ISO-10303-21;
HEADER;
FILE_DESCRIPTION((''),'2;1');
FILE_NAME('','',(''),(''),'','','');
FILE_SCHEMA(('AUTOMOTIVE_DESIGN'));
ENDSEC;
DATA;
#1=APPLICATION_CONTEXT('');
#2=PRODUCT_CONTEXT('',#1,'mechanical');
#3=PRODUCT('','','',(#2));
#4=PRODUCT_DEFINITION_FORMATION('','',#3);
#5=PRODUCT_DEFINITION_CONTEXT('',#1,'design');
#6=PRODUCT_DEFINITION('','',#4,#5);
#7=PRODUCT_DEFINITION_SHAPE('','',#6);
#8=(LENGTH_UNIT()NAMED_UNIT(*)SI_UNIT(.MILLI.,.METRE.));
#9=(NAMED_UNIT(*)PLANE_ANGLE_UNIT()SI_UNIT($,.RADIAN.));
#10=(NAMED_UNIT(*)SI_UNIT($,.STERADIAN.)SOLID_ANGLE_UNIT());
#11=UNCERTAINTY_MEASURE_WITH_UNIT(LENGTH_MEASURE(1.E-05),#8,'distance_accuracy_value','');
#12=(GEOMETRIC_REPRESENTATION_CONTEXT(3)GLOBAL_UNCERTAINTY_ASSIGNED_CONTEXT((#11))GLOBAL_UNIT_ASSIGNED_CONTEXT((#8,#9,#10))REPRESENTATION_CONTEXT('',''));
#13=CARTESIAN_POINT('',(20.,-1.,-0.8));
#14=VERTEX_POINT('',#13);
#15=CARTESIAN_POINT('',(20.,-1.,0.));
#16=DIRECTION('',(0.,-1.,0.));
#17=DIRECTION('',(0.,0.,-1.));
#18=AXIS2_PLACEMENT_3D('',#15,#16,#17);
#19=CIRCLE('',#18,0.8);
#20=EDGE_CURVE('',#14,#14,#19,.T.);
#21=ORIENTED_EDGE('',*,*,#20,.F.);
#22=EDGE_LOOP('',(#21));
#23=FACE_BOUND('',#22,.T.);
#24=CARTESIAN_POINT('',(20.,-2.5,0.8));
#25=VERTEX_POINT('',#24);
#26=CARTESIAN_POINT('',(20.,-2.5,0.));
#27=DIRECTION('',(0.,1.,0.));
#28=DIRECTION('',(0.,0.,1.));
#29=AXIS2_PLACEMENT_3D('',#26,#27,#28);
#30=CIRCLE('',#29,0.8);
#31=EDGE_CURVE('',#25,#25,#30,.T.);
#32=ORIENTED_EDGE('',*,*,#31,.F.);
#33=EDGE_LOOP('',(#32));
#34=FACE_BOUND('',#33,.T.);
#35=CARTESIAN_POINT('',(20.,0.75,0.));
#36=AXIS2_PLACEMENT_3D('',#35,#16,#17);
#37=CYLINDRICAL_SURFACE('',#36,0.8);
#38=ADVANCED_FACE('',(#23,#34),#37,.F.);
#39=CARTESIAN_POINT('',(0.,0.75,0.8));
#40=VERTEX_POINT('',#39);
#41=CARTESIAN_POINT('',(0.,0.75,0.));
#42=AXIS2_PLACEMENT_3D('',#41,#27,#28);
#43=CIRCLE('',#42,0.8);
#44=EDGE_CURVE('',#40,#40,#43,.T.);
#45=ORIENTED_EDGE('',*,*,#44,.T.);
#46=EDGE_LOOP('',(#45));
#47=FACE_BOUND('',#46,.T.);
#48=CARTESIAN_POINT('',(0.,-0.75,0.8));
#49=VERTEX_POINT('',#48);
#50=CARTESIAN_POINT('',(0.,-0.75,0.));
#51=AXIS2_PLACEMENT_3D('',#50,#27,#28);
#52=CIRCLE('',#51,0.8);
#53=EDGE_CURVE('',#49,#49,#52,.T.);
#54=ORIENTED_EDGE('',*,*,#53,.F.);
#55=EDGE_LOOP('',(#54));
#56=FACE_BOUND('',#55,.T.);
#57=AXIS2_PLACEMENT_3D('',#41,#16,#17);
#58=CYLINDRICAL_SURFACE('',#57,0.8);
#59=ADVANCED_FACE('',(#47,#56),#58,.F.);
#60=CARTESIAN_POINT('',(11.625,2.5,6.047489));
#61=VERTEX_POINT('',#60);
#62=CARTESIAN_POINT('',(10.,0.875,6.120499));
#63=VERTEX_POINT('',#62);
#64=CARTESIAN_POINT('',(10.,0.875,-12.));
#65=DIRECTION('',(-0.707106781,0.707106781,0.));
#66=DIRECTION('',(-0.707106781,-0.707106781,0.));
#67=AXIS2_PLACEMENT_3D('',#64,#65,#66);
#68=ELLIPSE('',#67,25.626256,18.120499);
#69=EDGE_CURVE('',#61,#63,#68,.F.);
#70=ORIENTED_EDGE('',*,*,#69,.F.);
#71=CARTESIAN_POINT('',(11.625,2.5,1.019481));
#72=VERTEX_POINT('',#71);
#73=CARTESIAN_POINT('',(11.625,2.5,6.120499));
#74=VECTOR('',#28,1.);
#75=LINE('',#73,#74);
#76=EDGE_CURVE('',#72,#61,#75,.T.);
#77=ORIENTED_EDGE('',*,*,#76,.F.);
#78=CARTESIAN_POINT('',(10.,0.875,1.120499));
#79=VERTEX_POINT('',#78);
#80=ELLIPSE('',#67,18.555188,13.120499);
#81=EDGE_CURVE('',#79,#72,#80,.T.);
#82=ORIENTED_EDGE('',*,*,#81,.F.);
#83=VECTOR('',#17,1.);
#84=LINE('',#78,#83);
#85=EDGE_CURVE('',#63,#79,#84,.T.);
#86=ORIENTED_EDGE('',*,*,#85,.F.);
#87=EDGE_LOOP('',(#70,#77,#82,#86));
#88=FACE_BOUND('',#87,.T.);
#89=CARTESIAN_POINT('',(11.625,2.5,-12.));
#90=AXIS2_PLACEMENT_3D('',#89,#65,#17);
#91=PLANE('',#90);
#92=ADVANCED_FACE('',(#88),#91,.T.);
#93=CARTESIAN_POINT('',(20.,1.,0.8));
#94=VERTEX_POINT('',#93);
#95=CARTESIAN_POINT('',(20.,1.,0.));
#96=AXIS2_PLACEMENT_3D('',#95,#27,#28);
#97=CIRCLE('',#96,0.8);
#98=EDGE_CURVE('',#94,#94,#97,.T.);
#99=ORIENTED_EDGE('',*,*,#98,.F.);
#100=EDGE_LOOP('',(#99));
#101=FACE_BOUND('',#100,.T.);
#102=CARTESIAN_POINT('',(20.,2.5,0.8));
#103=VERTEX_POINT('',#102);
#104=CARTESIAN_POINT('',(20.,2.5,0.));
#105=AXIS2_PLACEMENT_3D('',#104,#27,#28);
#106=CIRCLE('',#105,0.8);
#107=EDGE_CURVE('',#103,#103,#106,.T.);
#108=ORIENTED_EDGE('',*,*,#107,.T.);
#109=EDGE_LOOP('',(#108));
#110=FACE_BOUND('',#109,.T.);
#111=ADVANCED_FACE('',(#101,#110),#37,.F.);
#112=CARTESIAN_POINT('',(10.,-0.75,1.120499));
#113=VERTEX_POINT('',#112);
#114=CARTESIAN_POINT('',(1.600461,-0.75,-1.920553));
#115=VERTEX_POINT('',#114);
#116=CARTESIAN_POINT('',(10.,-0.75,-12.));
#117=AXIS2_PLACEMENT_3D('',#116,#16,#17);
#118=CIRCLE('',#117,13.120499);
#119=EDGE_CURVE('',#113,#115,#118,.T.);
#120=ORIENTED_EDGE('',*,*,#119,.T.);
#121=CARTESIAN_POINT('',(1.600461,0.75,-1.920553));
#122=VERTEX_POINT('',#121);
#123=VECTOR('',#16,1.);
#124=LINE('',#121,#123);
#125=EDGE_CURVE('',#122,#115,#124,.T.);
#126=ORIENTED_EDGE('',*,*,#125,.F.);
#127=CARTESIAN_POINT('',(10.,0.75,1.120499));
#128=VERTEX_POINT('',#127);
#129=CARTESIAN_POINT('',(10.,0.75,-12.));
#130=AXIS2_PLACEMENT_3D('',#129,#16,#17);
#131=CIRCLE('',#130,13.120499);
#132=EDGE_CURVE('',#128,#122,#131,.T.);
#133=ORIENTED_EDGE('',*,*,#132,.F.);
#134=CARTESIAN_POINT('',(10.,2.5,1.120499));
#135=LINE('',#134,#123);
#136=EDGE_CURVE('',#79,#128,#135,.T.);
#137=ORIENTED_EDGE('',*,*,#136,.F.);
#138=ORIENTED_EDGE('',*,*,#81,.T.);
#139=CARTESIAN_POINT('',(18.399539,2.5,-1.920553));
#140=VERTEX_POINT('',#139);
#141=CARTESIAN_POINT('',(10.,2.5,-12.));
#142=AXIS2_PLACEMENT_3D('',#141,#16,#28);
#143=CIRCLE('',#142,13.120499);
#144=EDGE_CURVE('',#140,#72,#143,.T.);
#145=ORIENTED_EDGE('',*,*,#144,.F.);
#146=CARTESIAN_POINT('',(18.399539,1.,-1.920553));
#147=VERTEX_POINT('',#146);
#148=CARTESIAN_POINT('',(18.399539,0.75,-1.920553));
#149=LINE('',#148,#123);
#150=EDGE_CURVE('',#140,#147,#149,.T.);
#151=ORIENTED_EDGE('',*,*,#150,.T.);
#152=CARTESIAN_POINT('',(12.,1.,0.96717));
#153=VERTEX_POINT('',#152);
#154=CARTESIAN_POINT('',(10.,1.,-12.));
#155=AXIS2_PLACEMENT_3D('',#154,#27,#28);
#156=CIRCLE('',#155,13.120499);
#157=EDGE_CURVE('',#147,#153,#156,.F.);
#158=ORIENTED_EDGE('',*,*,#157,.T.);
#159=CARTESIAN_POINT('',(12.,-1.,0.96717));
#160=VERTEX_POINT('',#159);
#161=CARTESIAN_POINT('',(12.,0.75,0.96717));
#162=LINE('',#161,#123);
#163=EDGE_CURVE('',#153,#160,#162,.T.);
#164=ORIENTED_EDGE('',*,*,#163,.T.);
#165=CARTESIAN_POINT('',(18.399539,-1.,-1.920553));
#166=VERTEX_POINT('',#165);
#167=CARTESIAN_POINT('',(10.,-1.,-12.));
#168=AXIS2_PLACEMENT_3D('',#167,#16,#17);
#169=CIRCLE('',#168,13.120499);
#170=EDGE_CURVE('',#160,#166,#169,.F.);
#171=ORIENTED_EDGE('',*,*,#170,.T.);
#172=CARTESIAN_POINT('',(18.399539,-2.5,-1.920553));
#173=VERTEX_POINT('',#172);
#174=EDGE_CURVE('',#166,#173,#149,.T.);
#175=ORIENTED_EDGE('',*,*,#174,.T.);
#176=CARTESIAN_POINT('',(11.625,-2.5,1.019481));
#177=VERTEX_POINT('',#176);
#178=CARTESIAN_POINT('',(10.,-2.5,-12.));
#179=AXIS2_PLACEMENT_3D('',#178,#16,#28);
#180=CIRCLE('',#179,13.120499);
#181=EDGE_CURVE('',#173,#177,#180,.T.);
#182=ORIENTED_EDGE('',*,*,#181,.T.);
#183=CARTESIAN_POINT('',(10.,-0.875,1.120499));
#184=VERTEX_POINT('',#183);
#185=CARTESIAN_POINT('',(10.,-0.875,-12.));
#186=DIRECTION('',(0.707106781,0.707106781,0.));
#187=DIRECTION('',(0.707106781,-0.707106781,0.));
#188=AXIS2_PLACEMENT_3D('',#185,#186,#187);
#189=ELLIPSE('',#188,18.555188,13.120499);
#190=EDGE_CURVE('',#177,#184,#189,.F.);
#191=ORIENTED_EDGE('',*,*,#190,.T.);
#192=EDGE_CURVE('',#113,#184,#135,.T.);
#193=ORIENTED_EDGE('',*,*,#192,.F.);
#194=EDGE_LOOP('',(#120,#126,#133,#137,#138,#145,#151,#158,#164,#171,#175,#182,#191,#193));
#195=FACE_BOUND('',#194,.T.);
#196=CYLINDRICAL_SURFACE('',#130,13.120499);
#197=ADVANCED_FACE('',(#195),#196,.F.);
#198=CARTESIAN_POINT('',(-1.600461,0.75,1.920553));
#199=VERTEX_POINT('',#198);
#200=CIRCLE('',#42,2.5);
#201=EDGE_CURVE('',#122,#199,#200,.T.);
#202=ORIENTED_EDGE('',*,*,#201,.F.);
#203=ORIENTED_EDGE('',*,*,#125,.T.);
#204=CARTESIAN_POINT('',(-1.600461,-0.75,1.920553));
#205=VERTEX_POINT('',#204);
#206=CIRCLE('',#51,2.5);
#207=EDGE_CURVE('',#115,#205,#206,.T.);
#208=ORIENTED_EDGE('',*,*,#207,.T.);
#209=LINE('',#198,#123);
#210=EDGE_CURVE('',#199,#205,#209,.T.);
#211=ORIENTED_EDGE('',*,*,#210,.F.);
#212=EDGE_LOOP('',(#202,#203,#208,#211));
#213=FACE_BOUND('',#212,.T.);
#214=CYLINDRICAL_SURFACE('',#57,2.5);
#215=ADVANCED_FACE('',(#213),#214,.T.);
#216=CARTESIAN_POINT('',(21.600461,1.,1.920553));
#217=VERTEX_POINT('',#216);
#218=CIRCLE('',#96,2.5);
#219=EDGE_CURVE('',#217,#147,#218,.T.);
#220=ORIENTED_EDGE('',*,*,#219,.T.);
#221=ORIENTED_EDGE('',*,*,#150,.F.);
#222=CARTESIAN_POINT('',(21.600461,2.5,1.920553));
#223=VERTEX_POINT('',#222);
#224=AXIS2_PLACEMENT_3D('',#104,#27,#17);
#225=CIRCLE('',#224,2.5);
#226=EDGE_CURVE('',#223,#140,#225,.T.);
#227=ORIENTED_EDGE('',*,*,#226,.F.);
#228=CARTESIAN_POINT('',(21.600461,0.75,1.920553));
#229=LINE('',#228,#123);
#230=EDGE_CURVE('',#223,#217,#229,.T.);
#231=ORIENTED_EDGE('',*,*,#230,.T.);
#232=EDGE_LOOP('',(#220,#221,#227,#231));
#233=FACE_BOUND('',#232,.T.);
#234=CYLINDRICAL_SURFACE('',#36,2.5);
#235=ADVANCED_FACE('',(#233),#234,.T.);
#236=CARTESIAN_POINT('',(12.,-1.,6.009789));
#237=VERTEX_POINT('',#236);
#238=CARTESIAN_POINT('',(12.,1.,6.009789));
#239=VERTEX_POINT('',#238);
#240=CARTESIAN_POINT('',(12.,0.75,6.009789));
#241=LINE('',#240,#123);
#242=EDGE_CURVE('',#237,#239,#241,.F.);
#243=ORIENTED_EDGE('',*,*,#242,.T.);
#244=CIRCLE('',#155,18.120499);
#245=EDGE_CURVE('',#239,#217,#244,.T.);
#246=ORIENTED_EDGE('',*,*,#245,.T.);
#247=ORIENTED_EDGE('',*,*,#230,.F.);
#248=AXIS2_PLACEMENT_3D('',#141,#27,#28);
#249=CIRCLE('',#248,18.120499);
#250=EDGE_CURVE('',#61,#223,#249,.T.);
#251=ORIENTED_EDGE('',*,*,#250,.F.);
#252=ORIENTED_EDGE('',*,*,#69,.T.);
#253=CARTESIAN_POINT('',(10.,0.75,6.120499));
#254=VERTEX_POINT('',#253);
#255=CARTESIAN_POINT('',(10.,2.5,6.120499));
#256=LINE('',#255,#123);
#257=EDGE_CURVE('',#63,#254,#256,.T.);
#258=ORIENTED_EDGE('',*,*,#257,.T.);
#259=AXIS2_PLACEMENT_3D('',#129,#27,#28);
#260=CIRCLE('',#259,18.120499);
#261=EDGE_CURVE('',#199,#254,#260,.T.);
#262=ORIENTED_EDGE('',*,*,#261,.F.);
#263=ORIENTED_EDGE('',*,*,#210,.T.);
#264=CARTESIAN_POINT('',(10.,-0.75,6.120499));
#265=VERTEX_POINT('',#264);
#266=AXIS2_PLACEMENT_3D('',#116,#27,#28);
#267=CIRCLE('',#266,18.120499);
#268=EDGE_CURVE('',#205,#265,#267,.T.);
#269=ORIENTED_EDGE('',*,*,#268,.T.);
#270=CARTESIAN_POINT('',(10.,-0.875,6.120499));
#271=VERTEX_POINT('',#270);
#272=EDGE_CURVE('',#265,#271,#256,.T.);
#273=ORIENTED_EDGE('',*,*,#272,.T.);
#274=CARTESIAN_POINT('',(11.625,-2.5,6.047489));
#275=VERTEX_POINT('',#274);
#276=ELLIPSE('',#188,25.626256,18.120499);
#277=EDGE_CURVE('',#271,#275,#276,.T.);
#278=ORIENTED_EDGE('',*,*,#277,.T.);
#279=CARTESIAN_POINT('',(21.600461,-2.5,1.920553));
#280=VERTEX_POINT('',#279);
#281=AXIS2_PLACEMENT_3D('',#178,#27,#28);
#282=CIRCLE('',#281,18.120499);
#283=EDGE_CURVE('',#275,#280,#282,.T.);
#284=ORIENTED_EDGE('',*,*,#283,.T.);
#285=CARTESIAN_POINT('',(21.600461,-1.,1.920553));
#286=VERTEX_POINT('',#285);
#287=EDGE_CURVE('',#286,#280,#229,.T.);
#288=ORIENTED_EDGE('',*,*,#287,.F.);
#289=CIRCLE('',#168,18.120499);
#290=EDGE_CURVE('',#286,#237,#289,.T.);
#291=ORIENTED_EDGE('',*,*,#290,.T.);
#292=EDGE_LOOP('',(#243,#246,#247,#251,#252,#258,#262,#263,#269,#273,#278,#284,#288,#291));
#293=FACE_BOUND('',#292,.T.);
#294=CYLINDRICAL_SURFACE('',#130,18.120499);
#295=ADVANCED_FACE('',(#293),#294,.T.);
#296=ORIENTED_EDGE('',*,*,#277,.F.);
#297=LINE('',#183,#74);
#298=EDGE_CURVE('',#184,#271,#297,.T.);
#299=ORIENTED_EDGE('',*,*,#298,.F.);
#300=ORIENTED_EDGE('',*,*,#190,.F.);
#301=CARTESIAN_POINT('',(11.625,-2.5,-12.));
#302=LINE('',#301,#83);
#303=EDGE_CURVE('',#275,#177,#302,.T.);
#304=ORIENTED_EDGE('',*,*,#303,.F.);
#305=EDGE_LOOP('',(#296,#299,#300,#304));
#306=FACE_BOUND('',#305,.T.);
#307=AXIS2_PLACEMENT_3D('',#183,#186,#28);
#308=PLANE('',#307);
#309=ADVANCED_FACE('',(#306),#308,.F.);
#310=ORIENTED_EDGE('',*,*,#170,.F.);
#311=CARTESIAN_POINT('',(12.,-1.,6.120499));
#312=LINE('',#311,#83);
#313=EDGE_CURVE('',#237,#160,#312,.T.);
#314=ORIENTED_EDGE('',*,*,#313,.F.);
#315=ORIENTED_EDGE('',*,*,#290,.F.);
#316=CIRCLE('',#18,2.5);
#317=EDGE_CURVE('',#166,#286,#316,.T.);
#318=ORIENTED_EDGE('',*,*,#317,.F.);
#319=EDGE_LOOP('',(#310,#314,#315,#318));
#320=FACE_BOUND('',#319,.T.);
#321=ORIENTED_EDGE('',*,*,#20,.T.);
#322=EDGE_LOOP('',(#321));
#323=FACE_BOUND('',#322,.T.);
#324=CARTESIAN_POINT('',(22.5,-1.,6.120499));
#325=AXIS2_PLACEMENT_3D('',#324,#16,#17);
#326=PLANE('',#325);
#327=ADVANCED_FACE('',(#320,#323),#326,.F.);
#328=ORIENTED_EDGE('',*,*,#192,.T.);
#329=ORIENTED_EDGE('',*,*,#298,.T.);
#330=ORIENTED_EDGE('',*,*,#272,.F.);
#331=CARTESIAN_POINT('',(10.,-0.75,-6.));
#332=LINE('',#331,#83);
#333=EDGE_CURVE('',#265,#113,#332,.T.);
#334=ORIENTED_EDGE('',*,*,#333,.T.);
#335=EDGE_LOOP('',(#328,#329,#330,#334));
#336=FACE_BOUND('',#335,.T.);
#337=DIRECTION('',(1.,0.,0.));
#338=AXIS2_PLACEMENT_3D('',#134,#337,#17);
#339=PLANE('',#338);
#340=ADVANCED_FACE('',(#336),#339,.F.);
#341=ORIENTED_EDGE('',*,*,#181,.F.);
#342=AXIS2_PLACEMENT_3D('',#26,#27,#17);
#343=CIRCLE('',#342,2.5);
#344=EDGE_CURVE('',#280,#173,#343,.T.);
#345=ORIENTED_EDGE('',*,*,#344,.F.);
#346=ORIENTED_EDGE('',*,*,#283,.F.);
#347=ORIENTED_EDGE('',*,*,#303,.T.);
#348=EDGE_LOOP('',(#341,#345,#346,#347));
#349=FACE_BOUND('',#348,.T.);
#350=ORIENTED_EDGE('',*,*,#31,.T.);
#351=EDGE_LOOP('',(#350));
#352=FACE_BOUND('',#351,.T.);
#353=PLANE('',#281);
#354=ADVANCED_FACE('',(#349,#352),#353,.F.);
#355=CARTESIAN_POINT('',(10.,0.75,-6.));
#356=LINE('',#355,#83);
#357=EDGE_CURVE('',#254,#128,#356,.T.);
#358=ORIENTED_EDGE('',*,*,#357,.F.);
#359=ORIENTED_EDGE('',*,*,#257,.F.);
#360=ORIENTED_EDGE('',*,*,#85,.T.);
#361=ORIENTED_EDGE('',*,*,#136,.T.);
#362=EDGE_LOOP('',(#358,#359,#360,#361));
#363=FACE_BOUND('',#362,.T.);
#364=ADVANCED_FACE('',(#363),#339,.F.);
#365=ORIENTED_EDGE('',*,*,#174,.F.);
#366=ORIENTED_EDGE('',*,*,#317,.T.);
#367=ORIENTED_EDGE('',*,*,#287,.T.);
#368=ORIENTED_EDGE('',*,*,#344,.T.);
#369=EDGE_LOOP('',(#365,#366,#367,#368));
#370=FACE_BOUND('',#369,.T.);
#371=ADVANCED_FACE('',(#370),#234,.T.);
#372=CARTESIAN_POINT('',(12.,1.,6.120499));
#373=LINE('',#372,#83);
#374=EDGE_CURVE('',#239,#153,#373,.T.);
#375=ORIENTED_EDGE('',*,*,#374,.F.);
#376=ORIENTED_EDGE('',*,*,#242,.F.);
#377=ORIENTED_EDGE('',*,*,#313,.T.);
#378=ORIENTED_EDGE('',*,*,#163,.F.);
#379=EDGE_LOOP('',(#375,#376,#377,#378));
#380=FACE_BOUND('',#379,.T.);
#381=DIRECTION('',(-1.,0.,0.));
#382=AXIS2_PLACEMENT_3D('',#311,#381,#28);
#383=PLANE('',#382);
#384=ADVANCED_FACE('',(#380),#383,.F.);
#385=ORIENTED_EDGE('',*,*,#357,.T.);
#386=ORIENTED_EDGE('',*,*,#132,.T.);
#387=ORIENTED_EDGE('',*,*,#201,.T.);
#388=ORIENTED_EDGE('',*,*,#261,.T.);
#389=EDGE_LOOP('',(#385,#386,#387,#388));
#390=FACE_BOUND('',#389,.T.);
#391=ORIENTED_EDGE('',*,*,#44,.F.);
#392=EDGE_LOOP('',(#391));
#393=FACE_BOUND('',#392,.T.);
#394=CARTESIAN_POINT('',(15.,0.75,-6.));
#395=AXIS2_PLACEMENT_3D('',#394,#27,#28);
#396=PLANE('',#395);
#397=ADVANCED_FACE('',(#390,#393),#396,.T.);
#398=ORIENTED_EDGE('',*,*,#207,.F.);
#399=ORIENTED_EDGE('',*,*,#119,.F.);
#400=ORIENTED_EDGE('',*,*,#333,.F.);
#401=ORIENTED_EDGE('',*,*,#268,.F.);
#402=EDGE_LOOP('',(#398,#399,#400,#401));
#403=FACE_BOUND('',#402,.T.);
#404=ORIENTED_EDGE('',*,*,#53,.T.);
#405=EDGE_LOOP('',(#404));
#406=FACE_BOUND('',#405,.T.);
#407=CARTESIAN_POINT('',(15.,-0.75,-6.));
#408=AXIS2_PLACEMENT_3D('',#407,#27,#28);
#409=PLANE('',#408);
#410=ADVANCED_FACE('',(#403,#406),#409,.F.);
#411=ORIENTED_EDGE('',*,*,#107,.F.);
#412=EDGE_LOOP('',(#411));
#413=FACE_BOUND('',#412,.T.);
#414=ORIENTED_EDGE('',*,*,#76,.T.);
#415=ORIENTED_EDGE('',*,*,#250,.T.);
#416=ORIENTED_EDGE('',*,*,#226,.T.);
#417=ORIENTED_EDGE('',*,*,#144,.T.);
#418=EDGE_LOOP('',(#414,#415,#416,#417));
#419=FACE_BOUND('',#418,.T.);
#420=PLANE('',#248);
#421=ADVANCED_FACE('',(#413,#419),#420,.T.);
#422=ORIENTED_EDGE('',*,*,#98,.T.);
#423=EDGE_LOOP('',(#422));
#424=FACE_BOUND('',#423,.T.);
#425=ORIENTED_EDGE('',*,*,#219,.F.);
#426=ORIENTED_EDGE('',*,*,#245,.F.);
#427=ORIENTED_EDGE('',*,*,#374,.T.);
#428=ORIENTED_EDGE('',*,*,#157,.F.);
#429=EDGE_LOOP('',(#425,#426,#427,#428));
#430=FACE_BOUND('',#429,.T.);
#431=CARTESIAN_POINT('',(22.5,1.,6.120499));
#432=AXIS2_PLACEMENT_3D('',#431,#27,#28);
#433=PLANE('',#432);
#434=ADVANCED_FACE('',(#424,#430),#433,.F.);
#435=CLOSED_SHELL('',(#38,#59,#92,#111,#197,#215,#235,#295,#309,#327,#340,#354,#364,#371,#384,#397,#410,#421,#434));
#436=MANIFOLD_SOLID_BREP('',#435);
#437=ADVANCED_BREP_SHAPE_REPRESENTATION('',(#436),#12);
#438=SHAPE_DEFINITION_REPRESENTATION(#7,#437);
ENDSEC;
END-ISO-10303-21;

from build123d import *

# Parameters (mm, degrees)
SKETCH1_R               = 0.8
BOSS_EXTRUDE1_DEPTH     = 0.75
SKETCH2_R               = 0.8
BOSS_EXTRUDE2_DEPTH     = 2.5
CHAMFER1_SIZE           = 1.625
CUT_EXTRUDE1_DEPTH      = 24.451236904
CUT_EXTRUDE1_DEPTH_BACK = 24.451236904
SKETCH3_W               = 10.5
SKETCH3_H               = 2


with BuildPart() as part:
    # Sketch1 → Boss-Extrude1 (new, symmetric)
    with BuildSketch(Plane(origin=(0, 0, 0), x_dir=(1, 0, 0), z_dir=(0, 1, 0))):
        with BuildLine():
            ThreePointArc((1.600460999, 1.920553199), (-1.920553199, 1.600460999), (-1.600460999, -1.920553199))
            ThreePointArc((-1.600460999, -1.920553199), (10, -6.120499352), (21.600460999, -1.920553199))
            ThreePointArc((21.600460999, -1.920553199), (21.920553199, 1.600460999), (18.399539001, 1.920553199))
            ThreePointArc((18.399539001, 1.920553199), (10, -1.120499352), (1.600460999, 1.920553199))
        make_face()
        with Locations(Location((0, 0, 0), (0, 0, 270))):
            Circle(SKETCH1_R, mode=Mode.SUBTRACT)
        with Locations(Location((20, 0, 0), (0, 0, 270))):
            Circle(SKETCH1_R, mode=Mode.SUBTRACT)
    extrude(amount=BOSS_EXTRUDE1_DEPTH, both=True)

    # Sketch2 → Boss-Extrude2 (add, symmetric)
    with BuildSketch(Plane(origin=(0, 0, 0), x_dir=(1, 0, 0), z_dir=(0, 1, 0))):
        with BuildLine():
            Line((10, -1.120499352), (10, -6.120499352))
            ThreePointArc((10, -6.120499352), (16.168675771, -5.038190514), (21.600460999, -1.920553199))
            ThreePointArc((21.600460999, -1.920553199), (21.920553199, 1.600460999), (18.399539001, 1.920553199))
            ThreePointArc((18.399539001, 1.920553199), (14.466549452, -0.336832626), (10, -1.120499352))
        make_face()
        with Locations(Location((20, 0, 0), (0, 0, 270))):
            Circle(SKETCH2_R, mode=Mode.SUBTRACT)
    extrude(amount=BOSS_EXTRUDE2_DEPTH, both=True)

    # Chamfer1
    chamfer1_edges = [part.edges().sort_by_distance(p)[0] for p in [
        (10, -2.5, 3.620499352),
        (10, 2.5, 3.620499352),
    ]]
    chamfer(chamfer1_edges, length=CHAMFER1_SIZE)

    # Sketch3 → Cut-Extrude1 (cut, two sides: drawn at the far end of the back side and taken through both)
    with BuildSketch(Plane(origin=(0, 0, 0), x_dir=(-1, 0, 0), z_dir=(0, 0, -1)).offset(-CUT_EXTRUDE1_DEPTH_BACK)):
        with Locations((-17.25, 0)):
            Rectangle(SKETCH3_W, SKETCH3_H)
    extrude(amount=CUT_EXTRUDE1_DEPTH + CUT_EXTRUDE1_DEPTH_BACK, mode=Mode.SUBTRACT)


solid = part.part
